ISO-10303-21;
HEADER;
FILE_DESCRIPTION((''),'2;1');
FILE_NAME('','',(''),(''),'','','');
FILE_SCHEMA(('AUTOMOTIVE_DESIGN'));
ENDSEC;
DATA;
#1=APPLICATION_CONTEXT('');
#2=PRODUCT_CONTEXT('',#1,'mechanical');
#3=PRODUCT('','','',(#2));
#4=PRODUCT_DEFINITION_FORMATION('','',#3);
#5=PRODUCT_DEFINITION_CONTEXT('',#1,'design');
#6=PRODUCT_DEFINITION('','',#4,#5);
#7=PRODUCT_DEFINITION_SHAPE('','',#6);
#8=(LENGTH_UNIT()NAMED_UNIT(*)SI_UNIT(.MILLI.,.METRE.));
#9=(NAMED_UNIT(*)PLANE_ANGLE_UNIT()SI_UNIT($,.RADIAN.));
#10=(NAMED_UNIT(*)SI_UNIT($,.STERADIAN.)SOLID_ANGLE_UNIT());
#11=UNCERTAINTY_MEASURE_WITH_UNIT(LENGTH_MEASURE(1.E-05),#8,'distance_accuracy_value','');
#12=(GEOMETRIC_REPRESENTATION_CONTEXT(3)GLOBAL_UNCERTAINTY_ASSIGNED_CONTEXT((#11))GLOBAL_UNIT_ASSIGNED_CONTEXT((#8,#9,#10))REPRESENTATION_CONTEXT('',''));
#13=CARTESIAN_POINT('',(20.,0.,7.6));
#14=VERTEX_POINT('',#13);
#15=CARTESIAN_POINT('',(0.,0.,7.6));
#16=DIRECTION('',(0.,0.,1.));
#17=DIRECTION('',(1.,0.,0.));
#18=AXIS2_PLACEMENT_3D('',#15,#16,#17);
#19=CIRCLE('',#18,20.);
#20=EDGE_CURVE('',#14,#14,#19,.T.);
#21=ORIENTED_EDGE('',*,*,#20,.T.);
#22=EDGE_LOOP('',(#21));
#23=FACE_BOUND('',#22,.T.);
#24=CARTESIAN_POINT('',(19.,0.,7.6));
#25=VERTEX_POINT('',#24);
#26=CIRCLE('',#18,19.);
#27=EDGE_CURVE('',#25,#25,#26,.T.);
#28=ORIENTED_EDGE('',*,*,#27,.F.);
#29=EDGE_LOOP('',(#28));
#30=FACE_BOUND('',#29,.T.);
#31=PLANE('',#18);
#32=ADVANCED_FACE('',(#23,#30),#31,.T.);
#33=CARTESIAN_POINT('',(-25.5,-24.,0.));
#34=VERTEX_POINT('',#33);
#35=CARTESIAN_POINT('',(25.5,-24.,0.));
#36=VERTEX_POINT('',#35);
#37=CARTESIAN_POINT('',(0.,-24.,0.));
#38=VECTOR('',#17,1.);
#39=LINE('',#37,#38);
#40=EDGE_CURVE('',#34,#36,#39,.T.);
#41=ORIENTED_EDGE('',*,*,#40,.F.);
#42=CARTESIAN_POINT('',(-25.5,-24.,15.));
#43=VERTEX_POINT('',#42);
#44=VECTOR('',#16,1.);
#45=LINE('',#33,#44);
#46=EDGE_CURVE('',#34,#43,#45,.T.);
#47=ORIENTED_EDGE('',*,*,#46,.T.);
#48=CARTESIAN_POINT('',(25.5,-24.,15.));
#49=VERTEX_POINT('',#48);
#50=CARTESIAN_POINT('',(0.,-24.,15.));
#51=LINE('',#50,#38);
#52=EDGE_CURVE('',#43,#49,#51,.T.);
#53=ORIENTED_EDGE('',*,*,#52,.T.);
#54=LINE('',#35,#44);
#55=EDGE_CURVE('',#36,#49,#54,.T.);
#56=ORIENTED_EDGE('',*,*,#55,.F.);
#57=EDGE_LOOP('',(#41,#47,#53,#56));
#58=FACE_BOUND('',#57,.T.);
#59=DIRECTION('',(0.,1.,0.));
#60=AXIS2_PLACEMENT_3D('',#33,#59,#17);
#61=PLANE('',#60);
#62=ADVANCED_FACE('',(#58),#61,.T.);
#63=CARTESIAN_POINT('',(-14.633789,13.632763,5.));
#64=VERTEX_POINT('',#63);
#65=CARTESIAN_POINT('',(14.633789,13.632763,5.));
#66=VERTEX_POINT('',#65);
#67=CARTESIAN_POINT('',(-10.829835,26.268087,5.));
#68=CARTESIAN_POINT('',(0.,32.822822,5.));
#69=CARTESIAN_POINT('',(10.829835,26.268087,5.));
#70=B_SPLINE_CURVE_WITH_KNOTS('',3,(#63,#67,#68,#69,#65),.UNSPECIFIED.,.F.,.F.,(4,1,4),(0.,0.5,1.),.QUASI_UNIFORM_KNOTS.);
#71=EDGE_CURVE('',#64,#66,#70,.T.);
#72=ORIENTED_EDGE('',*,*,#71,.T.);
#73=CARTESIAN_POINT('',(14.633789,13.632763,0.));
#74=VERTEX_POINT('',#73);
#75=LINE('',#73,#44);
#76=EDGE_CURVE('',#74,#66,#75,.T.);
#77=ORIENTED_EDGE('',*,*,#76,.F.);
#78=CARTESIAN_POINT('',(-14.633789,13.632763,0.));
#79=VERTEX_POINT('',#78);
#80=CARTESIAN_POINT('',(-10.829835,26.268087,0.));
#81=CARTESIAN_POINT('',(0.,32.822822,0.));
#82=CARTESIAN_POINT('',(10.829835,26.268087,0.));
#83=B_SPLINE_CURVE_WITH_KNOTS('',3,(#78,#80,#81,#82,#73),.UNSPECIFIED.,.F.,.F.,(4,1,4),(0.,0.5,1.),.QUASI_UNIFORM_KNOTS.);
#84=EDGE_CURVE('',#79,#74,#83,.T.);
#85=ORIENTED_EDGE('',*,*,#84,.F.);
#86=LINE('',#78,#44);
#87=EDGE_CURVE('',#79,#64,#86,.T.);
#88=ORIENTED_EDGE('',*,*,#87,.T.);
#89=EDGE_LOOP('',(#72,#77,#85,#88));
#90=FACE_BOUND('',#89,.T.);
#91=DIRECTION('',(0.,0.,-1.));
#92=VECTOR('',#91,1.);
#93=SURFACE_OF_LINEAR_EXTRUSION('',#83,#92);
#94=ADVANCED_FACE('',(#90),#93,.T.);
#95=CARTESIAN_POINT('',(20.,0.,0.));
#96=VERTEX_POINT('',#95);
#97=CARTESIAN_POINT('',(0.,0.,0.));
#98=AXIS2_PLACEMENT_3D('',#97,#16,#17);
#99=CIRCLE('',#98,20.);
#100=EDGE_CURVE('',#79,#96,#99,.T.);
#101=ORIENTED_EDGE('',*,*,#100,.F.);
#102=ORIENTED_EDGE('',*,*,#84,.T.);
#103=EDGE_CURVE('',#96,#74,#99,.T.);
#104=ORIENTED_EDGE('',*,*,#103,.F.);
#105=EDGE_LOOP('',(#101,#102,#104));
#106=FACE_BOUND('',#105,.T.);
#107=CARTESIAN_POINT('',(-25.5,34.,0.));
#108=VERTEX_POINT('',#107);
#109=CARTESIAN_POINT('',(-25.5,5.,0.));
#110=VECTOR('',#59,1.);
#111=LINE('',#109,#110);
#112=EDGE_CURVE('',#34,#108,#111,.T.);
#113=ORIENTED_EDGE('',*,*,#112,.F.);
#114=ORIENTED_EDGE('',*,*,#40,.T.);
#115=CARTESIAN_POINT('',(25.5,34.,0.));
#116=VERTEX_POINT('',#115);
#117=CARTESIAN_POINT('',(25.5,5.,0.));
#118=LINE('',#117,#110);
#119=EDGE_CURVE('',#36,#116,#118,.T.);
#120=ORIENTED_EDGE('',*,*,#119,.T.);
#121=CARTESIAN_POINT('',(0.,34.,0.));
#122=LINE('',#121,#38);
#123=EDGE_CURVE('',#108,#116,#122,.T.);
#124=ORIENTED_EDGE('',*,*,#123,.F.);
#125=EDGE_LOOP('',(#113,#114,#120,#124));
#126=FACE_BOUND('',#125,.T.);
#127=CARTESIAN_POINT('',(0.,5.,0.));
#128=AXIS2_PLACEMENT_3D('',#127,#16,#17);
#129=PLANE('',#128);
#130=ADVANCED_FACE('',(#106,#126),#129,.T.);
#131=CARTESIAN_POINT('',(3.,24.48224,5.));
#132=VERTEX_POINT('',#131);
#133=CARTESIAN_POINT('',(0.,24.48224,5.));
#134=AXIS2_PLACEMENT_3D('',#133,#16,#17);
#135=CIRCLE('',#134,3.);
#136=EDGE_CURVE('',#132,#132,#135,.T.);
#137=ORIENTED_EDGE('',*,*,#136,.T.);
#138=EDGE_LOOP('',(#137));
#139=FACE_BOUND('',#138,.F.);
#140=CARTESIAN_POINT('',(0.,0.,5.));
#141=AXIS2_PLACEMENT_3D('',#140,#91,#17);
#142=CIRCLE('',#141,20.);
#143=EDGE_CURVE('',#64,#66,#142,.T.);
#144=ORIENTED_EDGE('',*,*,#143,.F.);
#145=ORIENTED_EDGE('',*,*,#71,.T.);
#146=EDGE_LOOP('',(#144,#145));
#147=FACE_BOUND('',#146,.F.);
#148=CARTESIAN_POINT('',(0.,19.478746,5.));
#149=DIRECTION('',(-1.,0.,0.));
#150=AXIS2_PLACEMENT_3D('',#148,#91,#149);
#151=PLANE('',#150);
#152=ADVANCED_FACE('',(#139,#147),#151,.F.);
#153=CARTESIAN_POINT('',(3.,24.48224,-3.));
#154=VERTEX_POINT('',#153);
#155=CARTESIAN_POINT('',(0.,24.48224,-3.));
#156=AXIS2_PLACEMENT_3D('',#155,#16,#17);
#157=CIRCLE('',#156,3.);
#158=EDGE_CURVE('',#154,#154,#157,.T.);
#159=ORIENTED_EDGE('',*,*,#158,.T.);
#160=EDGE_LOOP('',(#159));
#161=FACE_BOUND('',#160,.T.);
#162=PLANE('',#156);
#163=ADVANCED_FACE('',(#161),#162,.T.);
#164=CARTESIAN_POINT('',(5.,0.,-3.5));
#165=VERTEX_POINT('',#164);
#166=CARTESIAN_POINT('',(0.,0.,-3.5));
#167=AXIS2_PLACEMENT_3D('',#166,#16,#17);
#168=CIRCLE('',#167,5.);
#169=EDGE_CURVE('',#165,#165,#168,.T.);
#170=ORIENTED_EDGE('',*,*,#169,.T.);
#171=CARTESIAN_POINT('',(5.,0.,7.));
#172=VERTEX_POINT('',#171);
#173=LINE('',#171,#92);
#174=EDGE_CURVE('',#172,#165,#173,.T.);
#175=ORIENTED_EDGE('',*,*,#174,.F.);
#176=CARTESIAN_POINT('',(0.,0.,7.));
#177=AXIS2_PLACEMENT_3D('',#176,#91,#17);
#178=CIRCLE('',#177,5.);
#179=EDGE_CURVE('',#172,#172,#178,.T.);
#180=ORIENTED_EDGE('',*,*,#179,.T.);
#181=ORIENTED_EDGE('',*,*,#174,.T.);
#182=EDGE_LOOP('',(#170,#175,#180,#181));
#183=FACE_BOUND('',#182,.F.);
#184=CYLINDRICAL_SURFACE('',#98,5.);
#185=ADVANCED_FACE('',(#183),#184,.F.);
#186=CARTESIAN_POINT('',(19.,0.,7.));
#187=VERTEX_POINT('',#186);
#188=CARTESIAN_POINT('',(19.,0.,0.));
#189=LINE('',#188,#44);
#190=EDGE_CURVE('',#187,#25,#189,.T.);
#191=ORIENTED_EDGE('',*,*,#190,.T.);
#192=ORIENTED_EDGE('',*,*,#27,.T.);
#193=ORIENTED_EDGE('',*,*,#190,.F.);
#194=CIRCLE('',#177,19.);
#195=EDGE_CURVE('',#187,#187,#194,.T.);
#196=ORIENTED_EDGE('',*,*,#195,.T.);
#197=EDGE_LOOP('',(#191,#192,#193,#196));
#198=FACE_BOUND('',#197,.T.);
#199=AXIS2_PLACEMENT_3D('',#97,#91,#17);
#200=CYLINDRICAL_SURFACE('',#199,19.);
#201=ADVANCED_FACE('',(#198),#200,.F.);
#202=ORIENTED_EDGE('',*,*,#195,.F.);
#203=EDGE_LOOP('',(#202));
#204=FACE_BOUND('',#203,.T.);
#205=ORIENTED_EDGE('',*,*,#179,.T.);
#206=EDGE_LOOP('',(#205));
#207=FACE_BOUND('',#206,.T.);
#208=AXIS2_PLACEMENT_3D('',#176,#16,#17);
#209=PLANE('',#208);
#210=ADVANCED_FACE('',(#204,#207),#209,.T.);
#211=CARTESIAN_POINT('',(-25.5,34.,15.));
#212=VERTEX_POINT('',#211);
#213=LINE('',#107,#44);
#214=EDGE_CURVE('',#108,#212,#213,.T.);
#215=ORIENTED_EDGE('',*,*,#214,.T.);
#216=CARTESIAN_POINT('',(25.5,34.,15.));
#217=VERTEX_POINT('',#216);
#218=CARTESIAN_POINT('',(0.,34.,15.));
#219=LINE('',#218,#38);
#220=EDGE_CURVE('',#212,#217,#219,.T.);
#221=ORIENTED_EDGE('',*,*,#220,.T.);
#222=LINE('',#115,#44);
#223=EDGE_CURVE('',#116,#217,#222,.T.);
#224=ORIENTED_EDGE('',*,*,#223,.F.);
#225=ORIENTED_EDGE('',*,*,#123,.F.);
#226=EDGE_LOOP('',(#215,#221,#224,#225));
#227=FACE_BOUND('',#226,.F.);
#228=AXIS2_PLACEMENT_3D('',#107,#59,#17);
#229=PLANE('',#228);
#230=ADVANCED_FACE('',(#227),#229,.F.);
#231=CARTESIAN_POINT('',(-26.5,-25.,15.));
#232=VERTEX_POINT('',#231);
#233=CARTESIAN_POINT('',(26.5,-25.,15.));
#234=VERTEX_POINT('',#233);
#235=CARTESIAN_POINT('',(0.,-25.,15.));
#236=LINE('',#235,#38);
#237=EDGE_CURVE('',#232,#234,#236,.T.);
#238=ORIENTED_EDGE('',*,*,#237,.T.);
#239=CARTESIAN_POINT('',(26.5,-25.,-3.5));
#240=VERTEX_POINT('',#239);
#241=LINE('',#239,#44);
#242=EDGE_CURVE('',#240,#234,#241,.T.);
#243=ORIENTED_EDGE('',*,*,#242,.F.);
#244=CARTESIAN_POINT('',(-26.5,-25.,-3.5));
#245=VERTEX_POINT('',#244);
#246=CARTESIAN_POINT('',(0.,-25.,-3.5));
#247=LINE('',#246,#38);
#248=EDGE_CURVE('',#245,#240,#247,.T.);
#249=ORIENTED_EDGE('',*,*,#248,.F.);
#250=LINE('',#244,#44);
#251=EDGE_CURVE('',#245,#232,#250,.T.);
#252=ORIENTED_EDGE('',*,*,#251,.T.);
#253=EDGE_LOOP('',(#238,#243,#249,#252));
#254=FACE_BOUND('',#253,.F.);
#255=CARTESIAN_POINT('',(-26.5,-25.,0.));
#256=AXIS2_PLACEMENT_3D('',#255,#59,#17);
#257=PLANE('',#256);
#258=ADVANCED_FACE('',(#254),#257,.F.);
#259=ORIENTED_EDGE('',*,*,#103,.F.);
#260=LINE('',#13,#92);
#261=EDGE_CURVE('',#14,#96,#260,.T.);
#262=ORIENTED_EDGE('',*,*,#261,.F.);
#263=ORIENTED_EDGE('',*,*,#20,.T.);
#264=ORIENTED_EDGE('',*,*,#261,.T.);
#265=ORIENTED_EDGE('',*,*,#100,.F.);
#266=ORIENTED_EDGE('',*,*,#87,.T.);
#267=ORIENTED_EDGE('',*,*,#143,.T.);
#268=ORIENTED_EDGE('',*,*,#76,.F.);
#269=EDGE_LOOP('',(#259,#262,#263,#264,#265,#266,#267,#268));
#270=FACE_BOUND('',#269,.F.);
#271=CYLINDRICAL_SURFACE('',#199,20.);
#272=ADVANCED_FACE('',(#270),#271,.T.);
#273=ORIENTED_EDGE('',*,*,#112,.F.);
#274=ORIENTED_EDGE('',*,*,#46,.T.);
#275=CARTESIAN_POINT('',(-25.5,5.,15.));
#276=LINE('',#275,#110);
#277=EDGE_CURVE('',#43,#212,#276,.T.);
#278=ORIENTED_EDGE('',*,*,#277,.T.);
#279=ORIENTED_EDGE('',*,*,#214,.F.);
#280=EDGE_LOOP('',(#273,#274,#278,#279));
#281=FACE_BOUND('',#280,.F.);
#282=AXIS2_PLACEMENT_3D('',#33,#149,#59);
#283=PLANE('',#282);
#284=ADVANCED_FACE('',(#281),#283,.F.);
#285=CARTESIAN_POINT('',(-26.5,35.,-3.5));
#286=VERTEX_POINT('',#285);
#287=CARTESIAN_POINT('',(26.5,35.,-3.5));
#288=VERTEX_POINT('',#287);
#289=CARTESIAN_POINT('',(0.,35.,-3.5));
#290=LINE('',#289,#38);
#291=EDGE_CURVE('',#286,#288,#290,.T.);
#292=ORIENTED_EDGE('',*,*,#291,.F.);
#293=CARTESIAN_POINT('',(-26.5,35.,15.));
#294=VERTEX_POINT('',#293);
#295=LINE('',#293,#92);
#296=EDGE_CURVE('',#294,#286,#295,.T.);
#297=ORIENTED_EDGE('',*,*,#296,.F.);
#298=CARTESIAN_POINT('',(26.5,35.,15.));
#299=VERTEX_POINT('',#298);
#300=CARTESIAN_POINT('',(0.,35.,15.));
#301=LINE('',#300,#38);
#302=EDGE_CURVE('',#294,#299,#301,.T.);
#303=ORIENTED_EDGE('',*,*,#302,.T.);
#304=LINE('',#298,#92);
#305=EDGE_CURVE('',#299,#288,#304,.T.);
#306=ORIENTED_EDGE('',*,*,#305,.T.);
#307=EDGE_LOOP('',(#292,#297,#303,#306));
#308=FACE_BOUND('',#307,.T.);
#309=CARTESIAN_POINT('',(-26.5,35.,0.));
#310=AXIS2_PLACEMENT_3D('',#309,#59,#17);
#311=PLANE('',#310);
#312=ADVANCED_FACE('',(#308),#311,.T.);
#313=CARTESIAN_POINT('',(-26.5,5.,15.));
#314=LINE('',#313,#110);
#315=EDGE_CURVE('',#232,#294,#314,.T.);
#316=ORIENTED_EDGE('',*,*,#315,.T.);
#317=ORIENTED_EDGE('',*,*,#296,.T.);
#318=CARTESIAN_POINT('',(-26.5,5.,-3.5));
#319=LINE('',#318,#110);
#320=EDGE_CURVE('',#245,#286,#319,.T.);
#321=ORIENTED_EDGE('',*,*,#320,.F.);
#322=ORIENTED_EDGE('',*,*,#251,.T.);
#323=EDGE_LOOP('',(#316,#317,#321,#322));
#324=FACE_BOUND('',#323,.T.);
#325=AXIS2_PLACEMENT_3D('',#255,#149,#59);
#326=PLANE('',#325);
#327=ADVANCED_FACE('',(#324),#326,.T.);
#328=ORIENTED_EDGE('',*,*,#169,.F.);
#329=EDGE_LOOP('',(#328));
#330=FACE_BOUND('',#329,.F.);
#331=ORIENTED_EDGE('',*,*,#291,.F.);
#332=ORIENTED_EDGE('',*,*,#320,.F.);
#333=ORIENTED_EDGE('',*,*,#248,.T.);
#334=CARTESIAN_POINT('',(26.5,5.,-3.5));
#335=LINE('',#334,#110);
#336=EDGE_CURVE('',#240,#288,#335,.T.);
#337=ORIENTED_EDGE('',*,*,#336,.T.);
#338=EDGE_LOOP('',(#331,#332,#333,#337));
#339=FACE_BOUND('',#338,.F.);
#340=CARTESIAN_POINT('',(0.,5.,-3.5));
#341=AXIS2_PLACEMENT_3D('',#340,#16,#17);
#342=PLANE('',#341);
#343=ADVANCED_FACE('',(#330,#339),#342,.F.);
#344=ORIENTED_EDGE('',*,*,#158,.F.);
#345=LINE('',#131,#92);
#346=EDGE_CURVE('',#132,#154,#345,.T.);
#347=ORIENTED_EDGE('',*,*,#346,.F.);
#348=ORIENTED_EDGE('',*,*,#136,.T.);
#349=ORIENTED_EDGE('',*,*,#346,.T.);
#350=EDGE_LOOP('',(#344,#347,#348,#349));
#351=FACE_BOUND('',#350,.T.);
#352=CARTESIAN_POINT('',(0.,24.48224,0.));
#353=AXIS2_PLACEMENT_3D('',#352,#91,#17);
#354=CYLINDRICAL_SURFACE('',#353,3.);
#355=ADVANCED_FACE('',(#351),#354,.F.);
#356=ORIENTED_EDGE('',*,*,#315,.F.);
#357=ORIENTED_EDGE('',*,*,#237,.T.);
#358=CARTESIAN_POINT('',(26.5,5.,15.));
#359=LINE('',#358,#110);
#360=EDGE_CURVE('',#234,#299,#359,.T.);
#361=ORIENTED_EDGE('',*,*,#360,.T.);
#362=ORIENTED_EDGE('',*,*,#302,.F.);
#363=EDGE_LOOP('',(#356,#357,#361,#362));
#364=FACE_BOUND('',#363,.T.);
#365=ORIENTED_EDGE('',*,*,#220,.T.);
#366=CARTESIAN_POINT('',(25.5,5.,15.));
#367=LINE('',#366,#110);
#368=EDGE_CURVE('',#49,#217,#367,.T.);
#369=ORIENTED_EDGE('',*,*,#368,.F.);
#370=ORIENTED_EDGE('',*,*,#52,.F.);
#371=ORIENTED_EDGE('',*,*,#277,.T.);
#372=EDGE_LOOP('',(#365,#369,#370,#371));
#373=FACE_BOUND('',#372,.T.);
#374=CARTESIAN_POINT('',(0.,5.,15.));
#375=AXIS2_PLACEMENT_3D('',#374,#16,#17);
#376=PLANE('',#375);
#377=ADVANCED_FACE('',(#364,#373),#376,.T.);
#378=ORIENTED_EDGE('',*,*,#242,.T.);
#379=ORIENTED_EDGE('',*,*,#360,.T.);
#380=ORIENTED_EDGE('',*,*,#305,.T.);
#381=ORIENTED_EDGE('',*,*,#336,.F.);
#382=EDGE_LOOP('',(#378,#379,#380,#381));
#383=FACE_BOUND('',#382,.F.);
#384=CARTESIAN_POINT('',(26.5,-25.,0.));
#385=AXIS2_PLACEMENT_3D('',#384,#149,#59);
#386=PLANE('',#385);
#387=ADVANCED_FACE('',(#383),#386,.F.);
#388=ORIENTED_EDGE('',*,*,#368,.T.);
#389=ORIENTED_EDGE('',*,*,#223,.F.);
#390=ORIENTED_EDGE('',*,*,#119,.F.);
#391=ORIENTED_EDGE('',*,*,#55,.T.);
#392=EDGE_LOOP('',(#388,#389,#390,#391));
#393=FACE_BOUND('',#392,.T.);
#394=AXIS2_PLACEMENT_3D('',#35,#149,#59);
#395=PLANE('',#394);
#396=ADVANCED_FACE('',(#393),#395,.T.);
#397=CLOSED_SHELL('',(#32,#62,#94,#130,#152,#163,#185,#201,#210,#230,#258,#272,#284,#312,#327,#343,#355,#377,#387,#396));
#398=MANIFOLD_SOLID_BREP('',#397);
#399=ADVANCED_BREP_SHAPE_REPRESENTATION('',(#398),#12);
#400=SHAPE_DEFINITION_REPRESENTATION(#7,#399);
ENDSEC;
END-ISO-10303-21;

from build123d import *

# Parameters (mm, degrees)
SKETCH_R             = 20
PAD_DEPTH            = 7
SKETCH001_R          = 3
PAD001_DEPTH         = 5
SKETCH002_R          = 20
SKETCH002_R_2        = 19
PAD002_DEPTH         = 7.6
SKETCH003_W          = 53
SKETCH003_H          = 60
PAD003_DEPTH         = 3.5
SKETCH004_W          = 53
SKETCH004_H          = 60
SKETCH004_W_2        = 51
SKETCH004_H_2        = 58
PAD004_DEPTH         = 15
SKETCH006_R          = 3
POCKET_DEPTH         = 3
SKETCH005_R          = 5
POCKET001_DEPTH      = 3.501
POCKET001_DEPTH_BACK = -15.001


with BuildPart() as part:
    # Sketch → Pad (new body)
    with BuildSketch(Plane.XY):
        Circle(SKETCH_R)
    extrude(amount=PAD_DEPTH)

    # Sketch001 → Pad001 (join)
    with BuildSketch(Plane.XY):
        with BuildLine():
            add(Edge.make_bspline(
                [(-14.633789, 13.632763), (-10.829835, 26.268087), (0, 32.822822), (10.829835, 26.268087), (14.633789, 13.632763)],
                knots=[0, 0, 0, 0, 0.5, 1, 1, 1, 1], degree=3))
            Line((14.633789, 13.632763), (-14.633789, 13.632763))
        make_face()
        with Locations((0, 24.48224)):
            Circle(SKETCH001_R, mode=Mode.SUBTRACT)
    extrude(amount=PAD001_DEPTH)

    # Sketch002 → Pad002 (join)
    with BuildSketch(Plane.XY):
        Circle(SKETCH002_R)
        Circle(SKETCH002_R_2, mode=Mode.SUBTRACT)
    extrude(amount=PAD002_DEPTH)

    # Sketch003 → Pad003 (join)
    with BuildSketch(Plane.XY):
        with Locations((0, 5)):
            Rectangle(SKETCH003_W, SKETCH003_H)
    extrude(amount=-PAD003_DEPTH)

    # Sketch004 → Pad004 (join)
    with BuildSketch(Plane.XY):
        with Locations((0, 5)):
            Rectangle(SKETCH004_W, SKETCH004_H)
        with Locations((0, 5)):
            Rectangle(SKETCH004_W_2, SKETCH004_H_2, mode=Mode.SUBTRACT)
    extrude(amount=PAD004_DEPTH)

    # Sketch006 → Pocket (cut)
    with BuildSketch(Plane.XY):
        with Locations((0, 24.48224)):
            Circle(SKETCH006_R)
    extrude(amount=-POCKET_DEPTH, mode=Mode.SUBTRACT)

    # Sketch005 → Pocket001 (cut, two sides)
    with BuildSketch(Plane.XY) as pocket001_sk:
        Circle(SKETCH005_R)
    extrude(amount=-POCKET001_DEPTH, mode=Mode.SUBTRACT)
    extrude(pocket001_sk.sketch, amount=-POCKET001_DEPTH_BACK, mode=Mode.SUBTRACT)


solid = part.part
